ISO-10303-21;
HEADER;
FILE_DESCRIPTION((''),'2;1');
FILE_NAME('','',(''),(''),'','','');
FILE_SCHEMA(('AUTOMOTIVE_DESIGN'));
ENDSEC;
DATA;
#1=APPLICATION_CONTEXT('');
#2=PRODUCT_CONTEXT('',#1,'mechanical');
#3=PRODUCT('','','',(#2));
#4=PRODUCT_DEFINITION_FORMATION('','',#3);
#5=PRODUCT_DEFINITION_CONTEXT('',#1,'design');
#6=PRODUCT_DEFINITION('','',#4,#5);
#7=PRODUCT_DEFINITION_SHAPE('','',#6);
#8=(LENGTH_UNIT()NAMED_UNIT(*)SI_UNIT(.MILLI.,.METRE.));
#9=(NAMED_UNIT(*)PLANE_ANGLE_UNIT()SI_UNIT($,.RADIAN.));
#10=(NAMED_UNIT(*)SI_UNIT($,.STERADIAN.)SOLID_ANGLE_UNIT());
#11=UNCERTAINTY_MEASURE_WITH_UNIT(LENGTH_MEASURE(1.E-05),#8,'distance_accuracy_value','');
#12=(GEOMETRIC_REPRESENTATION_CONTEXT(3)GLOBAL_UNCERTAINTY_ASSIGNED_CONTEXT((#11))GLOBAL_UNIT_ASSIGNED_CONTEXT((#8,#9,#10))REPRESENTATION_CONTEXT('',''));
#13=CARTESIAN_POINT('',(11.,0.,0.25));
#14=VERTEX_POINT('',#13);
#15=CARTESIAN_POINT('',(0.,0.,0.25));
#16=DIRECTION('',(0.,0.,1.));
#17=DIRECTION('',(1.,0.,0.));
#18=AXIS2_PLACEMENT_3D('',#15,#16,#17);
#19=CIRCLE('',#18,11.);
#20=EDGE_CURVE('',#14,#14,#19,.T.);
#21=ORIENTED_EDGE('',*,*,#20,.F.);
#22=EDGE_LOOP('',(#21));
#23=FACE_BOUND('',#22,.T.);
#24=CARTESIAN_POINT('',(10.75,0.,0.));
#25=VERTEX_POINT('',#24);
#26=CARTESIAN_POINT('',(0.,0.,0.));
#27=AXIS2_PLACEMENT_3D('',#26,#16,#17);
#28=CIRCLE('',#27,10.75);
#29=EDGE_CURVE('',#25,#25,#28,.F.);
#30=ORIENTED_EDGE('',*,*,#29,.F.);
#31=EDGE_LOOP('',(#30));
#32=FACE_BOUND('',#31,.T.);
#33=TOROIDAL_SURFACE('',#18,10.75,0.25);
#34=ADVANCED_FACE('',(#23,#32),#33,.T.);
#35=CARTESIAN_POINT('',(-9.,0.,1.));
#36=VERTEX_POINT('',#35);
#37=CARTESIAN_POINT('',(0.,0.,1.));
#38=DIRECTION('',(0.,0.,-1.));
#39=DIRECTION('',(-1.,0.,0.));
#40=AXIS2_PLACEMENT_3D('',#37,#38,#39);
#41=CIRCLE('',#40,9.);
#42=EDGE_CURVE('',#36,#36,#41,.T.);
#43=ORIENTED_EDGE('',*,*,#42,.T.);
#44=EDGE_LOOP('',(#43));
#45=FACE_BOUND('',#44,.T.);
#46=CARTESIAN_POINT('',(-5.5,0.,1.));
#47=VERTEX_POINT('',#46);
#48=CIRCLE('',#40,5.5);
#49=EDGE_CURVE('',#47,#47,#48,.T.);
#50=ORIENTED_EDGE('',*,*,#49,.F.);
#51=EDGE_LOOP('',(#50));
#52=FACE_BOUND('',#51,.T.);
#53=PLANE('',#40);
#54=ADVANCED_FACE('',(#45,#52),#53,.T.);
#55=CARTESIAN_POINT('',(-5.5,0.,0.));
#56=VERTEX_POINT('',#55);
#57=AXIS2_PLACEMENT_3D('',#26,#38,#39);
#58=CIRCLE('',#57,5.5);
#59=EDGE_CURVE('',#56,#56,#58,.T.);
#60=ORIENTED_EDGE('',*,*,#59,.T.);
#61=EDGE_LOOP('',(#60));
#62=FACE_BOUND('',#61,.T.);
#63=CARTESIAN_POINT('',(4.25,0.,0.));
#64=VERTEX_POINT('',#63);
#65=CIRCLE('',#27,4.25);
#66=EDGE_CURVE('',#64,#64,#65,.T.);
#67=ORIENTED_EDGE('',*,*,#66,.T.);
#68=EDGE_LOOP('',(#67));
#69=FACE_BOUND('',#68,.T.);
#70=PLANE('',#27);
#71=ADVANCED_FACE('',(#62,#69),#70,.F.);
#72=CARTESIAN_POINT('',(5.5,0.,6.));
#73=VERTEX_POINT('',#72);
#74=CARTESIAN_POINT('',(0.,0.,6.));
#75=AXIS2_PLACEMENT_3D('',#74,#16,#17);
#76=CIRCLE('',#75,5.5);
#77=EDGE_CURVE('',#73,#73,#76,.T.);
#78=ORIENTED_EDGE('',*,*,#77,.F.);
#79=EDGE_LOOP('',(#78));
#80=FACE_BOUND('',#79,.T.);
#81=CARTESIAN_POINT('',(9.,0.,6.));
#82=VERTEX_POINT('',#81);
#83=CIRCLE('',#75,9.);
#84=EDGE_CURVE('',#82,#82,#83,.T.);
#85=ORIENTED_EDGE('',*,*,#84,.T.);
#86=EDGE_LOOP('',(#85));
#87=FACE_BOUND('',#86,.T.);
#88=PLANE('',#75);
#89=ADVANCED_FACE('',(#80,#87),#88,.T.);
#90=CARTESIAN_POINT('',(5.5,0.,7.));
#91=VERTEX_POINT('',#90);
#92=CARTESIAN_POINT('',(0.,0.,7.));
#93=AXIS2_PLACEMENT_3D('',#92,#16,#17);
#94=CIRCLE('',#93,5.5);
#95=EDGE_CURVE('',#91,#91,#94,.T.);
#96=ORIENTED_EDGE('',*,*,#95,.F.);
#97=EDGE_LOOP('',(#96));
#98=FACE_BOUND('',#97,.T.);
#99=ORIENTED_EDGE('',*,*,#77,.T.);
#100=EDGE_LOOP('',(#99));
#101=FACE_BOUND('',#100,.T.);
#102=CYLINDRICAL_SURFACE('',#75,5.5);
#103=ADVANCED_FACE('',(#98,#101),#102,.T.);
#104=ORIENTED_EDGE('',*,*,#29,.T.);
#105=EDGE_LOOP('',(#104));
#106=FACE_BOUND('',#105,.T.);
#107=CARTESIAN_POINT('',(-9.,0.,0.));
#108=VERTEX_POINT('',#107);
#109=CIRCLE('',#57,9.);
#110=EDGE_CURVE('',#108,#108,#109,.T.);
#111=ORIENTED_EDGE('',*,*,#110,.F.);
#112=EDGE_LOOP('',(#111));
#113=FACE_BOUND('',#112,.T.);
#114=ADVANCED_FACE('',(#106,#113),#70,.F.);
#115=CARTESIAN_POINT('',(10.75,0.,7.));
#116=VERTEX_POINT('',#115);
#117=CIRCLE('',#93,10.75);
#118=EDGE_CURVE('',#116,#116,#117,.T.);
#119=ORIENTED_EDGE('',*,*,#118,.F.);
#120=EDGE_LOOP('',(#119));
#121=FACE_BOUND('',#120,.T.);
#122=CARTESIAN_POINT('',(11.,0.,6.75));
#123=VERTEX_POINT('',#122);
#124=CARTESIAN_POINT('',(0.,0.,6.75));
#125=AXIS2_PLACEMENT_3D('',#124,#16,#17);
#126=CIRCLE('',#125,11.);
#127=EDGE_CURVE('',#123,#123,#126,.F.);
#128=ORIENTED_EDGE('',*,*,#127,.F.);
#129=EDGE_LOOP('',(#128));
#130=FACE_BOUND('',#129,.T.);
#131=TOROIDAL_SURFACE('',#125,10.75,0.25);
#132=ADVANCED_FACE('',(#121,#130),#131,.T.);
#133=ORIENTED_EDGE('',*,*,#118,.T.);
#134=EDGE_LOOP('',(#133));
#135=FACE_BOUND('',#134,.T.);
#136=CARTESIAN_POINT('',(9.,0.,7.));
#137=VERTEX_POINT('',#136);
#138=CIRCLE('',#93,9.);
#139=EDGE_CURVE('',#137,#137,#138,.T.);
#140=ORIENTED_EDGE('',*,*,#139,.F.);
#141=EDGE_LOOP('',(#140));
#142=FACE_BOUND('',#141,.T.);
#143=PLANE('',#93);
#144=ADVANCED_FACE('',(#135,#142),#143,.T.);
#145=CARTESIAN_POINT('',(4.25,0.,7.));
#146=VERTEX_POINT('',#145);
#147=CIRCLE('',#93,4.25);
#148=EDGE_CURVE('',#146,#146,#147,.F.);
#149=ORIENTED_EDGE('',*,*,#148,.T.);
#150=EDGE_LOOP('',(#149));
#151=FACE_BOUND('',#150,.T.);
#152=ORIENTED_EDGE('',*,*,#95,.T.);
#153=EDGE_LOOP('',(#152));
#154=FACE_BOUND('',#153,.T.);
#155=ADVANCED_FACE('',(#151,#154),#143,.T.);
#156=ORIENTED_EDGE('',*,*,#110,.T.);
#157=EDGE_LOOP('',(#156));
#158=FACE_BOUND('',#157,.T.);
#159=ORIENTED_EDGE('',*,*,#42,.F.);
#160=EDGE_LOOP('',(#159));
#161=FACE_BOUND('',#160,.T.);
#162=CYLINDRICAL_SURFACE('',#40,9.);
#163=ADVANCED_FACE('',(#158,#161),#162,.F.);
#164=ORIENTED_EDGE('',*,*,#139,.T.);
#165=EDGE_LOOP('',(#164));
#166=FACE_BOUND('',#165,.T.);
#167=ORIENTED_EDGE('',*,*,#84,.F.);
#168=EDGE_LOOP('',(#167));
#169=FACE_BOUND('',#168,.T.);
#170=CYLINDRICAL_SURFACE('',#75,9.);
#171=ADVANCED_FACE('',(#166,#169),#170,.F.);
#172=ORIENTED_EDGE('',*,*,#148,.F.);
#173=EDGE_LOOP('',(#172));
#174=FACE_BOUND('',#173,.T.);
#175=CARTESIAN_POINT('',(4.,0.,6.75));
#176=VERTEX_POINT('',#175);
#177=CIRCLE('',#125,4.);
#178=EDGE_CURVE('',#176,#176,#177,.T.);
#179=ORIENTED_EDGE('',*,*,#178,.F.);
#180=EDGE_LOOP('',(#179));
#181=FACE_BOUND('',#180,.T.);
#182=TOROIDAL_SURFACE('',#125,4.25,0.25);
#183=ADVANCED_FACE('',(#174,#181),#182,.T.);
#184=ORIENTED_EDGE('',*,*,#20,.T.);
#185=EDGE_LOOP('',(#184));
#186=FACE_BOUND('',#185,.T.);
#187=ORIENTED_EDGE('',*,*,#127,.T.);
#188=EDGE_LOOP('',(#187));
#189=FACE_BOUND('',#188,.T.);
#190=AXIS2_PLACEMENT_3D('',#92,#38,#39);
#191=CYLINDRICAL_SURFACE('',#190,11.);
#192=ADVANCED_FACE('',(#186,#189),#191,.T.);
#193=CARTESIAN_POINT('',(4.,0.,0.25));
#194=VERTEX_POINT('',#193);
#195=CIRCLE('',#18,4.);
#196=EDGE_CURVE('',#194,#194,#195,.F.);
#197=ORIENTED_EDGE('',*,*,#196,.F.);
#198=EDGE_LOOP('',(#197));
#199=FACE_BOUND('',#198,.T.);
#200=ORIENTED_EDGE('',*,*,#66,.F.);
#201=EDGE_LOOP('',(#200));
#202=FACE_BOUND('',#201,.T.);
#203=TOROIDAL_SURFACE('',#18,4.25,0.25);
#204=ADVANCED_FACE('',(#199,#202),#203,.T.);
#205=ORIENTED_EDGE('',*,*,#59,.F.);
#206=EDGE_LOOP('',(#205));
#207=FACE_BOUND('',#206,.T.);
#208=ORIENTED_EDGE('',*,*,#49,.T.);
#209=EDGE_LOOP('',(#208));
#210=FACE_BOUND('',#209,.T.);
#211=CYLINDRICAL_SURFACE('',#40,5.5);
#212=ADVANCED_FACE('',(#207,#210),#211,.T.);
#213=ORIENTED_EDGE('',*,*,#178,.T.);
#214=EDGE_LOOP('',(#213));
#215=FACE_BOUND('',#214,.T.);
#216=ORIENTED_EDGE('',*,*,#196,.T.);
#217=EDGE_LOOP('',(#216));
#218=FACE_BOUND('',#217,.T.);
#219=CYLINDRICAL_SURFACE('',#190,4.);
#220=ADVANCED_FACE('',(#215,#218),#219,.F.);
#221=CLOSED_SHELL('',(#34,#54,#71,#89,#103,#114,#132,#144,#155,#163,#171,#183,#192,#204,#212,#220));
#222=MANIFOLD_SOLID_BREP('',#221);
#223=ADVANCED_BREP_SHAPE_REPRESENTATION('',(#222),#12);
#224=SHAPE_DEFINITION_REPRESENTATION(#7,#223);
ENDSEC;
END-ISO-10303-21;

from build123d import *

# Parameters (mm, degrees)
ESQUISSE1_R      = 11
ESQUISSE1_R_2    = 4
EXTRUSION1_DEPTH = 7
CONG_1_R         = 0.25
ESQUISSE2_R      = 9
ESQUISSE2_R_2    = 5.5
EXTRUSION2_DEPTH = 1
EXTRUSION3_START = -1
ESQUISSE3_R      = 9
ESQUISSE3_R_2    = 5.5
EXTRUSION3_DEPTH = 1


with BuildPart() as part:
    # Esquisse1 → Extrusion1 (new body)
    with BuildSketch(Plane.XY):
        Circle(ESQUISSE1_R)
        Circle(ESQUISSE1_R_2, mode=Mode.SUBTRACT)
    extrude(amount=EXTRUSION1_DEPTH)

    # Congé1
    cong_1_edges = [part.edges().sort_by_distance(p)[0] for p in [
        (-11, 0, 0),
        (-11, 0, 7),
        (-4, 0, 0),
        (-4, 0, 7),
    ]]
    fillet(cong_1_edges, radius=CONG_1_R)

    # Esquisse2 → Extrusion2 (cut)
    with BuildSketch(Plane.XY.offset(7)):
        Circle(ESQUISSE2_R)
        Circle(ESQUISSE2_R_2, mode=Mode.SUBTRACT)
    extrude(amount=-EXTRUSION2_DEPTH, mode=Mode.SUBTRACT)

    # Esquisse3 → Extrusion3 (cut)
    with BuildSketch(Plane(origin=(0, 0, 0), x_dir=(-1, 0, 0), z_dir=(0, 0, -1)).offset(EXTRUSION3_START)):
        with Locations(Location((0, 0, 0), (0, 0, 180))):
            Circle(ESQUISSE3_R)
        with Locations(Location((0, 0, 0), (0, 0, 180))):
            Circle(ESQUISSE3_R_2, mode=Mode.SUBTRACT)
    extrude(amount=EXTRUSION3_DEPTH, mode=Mode.SUBTRACT)


solid = part.part
